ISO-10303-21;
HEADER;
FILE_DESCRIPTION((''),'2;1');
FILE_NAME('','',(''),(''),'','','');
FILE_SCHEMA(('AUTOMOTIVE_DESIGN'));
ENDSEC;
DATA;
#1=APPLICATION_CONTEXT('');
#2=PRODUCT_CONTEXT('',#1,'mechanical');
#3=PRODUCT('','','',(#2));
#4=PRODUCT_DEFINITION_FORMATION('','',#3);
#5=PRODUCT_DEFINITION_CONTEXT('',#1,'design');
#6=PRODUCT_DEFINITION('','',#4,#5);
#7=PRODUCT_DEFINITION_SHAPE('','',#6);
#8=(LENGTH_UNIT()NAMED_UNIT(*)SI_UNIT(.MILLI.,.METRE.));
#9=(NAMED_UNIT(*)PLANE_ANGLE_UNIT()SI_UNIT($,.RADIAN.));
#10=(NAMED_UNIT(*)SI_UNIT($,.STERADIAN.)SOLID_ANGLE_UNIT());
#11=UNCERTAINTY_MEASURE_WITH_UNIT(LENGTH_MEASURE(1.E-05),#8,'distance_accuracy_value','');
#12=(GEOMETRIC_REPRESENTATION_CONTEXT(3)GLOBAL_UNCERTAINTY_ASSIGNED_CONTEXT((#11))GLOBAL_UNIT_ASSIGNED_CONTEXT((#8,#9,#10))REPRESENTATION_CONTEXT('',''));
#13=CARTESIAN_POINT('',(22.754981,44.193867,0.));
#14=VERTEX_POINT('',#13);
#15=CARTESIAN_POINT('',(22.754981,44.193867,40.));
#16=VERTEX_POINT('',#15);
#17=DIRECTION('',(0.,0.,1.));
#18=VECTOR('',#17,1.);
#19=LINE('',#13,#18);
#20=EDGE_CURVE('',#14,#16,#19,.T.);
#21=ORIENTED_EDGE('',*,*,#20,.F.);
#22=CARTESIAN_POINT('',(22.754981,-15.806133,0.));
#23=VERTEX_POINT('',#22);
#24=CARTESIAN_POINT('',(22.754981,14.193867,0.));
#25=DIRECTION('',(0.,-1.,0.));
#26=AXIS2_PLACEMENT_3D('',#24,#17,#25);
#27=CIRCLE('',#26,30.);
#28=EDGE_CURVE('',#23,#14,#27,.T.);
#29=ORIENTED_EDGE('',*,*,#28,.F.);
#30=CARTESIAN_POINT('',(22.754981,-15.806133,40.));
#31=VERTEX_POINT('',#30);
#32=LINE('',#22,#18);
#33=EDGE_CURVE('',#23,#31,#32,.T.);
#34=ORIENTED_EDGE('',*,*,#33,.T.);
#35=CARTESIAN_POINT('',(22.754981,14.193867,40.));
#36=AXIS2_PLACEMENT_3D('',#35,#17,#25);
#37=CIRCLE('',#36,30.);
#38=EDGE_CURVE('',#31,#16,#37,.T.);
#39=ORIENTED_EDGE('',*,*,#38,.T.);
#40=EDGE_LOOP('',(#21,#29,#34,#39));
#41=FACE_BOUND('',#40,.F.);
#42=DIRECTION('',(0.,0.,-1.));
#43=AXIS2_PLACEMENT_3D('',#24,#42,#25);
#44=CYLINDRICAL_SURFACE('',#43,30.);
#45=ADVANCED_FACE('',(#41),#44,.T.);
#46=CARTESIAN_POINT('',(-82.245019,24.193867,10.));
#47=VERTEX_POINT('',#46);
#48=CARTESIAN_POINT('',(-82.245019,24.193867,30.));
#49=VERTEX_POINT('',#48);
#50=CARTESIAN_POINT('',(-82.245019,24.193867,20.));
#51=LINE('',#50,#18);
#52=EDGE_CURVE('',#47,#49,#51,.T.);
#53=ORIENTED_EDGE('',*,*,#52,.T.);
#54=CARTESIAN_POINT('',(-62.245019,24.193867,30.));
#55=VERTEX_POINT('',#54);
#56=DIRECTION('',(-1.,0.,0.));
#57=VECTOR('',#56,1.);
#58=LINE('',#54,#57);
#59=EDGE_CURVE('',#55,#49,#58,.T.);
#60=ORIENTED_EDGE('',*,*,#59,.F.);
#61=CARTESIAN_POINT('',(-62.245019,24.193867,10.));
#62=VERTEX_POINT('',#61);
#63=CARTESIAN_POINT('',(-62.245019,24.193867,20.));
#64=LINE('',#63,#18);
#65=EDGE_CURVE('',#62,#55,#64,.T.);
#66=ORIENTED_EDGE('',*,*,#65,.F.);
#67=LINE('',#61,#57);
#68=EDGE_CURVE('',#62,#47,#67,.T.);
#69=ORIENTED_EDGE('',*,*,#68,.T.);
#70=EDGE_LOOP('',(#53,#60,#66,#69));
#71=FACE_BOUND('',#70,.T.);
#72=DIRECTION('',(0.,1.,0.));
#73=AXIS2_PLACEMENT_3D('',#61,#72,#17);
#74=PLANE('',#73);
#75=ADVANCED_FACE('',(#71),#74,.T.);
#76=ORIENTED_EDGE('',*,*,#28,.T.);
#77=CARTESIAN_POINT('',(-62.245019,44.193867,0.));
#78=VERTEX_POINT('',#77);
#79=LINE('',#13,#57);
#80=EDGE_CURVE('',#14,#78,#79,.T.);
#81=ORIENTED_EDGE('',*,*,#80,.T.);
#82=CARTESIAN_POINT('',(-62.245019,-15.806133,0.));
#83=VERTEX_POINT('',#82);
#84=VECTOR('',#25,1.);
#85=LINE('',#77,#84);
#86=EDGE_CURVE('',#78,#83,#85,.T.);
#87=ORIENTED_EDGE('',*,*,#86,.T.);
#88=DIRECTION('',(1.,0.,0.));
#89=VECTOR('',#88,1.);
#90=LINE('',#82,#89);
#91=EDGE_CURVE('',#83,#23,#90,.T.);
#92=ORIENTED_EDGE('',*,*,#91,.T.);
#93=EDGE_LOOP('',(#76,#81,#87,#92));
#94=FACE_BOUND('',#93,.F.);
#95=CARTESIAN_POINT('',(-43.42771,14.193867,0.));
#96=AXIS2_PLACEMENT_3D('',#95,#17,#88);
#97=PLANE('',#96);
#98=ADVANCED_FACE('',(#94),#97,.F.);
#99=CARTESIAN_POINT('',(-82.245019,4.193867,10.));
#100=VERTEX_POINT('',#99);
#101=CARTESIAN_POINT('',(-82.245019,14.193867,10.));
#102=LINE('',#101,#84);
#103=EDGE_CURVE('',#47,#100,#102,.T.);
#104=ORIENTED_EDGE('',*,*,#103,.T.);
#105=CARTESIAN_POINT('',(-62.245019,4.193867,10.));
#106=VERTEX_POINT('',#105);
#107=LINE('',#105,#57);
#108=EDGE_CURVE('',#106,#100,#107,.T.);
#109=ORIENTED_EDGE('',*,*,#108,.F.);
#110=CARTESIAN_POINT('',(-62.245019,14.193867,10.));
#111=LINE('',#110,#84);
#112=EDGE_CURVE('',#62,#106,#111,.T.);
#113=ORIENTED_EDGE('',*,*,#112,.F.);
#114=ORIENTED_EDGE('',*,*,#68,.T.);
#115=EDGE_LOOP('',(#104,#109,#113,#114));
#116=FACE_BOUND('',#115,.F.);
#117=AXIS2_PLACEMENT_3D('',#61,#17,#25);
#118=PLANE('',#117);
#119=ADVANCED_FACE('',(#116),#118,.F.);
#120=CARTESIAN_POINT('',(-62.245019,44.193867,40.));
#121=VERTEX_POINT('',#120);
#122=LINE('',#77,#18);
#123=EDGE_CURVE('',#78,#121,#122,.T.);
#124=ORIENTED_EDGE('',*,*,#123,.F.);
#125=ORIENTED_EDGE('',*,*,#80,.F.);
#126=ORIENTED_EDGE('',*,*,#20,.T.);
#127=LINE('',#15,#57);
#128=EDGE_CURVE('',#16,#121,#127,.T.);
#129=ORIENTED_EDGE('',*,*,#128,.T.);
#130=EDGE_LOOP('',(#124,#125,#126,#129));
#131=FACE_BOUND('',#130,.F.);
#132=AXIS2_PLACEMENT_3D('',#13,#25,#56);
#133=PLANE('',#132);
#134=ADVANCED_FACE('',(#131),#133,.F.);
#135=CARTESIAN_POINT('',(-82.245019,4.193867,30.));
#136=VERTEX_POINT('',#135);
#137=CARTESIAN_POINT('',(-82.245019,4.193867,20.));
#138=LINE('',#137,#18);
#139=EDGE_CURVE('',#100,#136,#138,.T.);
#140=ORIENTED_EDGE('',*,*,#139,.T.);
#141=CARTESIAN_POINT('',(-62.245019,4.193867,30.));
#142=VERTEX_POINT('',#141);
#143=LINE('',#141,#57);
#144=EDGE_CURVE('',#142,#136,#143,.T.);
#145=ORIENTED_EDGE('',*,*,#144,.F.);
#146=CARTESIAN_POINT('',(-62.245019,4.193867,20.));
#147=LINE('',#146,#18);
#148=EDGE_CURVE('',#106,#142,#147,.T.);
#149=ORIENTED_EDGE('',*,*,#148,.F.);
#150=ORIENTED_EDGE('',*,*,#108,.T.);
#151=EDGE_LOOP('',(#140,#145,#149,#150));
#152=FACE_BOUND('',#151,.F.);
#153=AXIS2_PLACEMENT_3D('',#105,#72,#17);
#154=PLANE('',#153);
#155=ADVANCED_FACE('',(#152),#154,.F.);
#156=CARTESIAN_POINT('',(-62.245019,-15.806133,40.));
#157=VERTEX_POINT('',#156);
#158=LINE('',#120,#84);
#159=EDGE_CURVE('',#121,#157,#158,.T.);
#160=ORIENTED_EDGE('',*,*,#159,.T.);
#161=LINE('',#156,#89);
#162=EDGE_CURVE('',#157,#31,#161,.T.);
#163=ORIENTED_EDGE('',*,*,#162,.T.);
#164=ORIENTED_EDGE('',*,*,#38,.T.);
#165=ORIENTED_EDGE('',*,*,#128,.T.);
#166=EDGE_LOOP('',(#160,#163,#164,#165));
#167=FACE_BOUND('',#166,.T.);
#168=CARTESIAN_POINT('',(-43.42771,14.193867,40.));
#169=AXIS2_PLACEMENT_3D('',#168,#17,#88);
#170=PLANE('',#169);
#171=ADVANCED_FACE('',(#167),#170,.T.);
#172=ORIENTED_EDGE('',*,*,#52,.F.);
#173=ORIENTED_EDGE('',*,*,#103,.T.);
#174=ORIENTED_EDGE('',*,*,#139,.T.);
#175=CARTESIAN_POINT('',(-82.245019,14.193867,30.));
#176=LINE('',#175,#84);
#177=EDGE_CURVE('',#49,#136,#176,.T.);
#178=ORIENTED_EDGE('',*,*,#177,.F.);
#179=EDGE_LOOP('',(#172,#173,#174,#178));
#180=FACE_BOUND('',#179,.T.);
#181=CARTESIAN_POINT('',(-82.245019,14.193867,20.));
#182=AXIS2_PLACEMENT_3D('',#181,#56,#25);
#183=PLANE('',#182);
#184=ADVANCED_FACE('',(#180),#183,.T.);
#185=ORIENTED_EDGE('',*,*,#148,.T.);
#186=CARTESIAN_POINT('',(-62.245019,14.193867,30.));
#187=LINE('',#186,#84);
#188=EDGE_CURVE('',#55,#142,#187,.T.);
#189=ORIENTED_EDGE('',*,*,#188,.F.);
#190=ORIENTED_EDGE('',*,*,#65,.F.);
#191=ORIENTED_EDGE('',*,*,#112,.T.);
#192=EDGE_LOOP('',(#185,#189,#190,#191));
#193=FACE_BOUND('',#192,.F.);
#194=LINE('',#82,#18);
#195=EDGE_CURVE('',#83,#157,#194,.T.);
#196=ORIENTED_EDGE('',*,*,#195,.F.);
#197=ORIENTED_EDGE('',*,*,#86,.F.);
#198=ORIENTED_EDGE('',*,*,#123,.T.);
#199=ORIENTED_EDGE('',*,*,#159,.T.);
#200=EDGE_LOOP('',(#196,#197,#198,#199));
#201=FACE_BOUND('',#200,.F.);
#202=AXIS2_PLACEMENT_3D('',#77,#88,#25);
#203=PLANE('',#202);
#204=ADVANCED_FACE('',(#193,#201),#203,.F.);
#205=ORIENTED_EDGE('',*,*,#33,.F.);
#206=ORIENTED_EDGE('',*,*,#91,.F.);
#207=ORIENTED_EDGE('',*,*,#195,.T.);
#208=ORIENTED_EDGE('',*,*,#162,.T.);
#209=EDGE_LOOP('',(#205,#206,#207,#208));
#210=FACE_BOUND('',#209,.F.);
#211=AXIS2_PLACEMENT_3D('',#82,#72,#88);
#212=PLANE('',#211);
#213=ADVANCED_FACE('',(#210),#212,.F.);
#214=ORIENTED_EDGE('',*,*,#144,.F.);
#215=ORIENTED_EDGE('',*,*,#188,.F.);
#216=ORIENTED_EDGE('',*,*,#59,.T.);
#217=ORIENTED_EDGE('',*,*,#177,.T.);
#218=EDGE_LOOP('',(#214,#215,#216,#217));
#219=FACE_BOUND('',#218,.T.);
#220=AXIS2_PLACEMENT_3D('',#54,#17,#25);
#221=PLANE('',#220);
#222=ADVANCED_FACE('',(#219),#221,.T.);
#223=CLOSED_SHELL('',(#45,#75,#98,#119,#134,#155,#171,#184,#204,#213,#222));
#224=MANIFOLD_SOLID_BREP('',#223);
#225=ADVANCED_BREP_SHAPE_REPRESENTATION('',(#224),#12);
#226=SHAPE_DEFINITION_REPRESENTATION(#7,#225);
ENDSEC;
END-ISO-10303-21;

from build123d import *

# Parameters (mm, degrees)
F1_DEPTH = 40
F2_W     = 20
F2_H     = 20
F3_DEPTH = 20


with BuildPart() as f1:
    # F0 (on Top) → F1 (new body)
    with BuildSketch(Plane.XY):
        with BuildLine():
            Line((-62.245019, 44.193867), (-62.245019, -15.806133))
            Line((-62.245019, -15.806133), (-17.245019, -15.806133))
            ThreePointArc((-17.245019, -15.806133), (-47.245019, 14.193867), (-17.245019, 44.193867))
            Line((-17.245019, 44.193867), (-62.245019, 44.193867))
        make_face()
        with BuildLine():
            ThreePointArc((-17.245019, 44.193867), (-47.245019, 14.193867), (-17.245019, -15.806133))
            Line((-17.245019, -15.806133), (22.754981, -15.806133))
            ThreePointArc((22.754981, -15.806133), (52.754981, 14.193867), (22.754981, 44.193867))
            Line((22.754981, 44.193867), (-17.245019, 44.193867))
        make_face()
    extrude(amount=F1_DEPTH)

    # F2 (on face) → F3 (join)
    with BuildSketch(Plane(origin=(-62.245019, 0, 0), x_dir=(0, -1, 0), z_dir=(-1, 0, 0))):
        with Locations((-14.193867, 20)):
            Rectangle(F2_W, F2_H)
    extrude(amount=F3_DEPTH)


solid = f1.part
